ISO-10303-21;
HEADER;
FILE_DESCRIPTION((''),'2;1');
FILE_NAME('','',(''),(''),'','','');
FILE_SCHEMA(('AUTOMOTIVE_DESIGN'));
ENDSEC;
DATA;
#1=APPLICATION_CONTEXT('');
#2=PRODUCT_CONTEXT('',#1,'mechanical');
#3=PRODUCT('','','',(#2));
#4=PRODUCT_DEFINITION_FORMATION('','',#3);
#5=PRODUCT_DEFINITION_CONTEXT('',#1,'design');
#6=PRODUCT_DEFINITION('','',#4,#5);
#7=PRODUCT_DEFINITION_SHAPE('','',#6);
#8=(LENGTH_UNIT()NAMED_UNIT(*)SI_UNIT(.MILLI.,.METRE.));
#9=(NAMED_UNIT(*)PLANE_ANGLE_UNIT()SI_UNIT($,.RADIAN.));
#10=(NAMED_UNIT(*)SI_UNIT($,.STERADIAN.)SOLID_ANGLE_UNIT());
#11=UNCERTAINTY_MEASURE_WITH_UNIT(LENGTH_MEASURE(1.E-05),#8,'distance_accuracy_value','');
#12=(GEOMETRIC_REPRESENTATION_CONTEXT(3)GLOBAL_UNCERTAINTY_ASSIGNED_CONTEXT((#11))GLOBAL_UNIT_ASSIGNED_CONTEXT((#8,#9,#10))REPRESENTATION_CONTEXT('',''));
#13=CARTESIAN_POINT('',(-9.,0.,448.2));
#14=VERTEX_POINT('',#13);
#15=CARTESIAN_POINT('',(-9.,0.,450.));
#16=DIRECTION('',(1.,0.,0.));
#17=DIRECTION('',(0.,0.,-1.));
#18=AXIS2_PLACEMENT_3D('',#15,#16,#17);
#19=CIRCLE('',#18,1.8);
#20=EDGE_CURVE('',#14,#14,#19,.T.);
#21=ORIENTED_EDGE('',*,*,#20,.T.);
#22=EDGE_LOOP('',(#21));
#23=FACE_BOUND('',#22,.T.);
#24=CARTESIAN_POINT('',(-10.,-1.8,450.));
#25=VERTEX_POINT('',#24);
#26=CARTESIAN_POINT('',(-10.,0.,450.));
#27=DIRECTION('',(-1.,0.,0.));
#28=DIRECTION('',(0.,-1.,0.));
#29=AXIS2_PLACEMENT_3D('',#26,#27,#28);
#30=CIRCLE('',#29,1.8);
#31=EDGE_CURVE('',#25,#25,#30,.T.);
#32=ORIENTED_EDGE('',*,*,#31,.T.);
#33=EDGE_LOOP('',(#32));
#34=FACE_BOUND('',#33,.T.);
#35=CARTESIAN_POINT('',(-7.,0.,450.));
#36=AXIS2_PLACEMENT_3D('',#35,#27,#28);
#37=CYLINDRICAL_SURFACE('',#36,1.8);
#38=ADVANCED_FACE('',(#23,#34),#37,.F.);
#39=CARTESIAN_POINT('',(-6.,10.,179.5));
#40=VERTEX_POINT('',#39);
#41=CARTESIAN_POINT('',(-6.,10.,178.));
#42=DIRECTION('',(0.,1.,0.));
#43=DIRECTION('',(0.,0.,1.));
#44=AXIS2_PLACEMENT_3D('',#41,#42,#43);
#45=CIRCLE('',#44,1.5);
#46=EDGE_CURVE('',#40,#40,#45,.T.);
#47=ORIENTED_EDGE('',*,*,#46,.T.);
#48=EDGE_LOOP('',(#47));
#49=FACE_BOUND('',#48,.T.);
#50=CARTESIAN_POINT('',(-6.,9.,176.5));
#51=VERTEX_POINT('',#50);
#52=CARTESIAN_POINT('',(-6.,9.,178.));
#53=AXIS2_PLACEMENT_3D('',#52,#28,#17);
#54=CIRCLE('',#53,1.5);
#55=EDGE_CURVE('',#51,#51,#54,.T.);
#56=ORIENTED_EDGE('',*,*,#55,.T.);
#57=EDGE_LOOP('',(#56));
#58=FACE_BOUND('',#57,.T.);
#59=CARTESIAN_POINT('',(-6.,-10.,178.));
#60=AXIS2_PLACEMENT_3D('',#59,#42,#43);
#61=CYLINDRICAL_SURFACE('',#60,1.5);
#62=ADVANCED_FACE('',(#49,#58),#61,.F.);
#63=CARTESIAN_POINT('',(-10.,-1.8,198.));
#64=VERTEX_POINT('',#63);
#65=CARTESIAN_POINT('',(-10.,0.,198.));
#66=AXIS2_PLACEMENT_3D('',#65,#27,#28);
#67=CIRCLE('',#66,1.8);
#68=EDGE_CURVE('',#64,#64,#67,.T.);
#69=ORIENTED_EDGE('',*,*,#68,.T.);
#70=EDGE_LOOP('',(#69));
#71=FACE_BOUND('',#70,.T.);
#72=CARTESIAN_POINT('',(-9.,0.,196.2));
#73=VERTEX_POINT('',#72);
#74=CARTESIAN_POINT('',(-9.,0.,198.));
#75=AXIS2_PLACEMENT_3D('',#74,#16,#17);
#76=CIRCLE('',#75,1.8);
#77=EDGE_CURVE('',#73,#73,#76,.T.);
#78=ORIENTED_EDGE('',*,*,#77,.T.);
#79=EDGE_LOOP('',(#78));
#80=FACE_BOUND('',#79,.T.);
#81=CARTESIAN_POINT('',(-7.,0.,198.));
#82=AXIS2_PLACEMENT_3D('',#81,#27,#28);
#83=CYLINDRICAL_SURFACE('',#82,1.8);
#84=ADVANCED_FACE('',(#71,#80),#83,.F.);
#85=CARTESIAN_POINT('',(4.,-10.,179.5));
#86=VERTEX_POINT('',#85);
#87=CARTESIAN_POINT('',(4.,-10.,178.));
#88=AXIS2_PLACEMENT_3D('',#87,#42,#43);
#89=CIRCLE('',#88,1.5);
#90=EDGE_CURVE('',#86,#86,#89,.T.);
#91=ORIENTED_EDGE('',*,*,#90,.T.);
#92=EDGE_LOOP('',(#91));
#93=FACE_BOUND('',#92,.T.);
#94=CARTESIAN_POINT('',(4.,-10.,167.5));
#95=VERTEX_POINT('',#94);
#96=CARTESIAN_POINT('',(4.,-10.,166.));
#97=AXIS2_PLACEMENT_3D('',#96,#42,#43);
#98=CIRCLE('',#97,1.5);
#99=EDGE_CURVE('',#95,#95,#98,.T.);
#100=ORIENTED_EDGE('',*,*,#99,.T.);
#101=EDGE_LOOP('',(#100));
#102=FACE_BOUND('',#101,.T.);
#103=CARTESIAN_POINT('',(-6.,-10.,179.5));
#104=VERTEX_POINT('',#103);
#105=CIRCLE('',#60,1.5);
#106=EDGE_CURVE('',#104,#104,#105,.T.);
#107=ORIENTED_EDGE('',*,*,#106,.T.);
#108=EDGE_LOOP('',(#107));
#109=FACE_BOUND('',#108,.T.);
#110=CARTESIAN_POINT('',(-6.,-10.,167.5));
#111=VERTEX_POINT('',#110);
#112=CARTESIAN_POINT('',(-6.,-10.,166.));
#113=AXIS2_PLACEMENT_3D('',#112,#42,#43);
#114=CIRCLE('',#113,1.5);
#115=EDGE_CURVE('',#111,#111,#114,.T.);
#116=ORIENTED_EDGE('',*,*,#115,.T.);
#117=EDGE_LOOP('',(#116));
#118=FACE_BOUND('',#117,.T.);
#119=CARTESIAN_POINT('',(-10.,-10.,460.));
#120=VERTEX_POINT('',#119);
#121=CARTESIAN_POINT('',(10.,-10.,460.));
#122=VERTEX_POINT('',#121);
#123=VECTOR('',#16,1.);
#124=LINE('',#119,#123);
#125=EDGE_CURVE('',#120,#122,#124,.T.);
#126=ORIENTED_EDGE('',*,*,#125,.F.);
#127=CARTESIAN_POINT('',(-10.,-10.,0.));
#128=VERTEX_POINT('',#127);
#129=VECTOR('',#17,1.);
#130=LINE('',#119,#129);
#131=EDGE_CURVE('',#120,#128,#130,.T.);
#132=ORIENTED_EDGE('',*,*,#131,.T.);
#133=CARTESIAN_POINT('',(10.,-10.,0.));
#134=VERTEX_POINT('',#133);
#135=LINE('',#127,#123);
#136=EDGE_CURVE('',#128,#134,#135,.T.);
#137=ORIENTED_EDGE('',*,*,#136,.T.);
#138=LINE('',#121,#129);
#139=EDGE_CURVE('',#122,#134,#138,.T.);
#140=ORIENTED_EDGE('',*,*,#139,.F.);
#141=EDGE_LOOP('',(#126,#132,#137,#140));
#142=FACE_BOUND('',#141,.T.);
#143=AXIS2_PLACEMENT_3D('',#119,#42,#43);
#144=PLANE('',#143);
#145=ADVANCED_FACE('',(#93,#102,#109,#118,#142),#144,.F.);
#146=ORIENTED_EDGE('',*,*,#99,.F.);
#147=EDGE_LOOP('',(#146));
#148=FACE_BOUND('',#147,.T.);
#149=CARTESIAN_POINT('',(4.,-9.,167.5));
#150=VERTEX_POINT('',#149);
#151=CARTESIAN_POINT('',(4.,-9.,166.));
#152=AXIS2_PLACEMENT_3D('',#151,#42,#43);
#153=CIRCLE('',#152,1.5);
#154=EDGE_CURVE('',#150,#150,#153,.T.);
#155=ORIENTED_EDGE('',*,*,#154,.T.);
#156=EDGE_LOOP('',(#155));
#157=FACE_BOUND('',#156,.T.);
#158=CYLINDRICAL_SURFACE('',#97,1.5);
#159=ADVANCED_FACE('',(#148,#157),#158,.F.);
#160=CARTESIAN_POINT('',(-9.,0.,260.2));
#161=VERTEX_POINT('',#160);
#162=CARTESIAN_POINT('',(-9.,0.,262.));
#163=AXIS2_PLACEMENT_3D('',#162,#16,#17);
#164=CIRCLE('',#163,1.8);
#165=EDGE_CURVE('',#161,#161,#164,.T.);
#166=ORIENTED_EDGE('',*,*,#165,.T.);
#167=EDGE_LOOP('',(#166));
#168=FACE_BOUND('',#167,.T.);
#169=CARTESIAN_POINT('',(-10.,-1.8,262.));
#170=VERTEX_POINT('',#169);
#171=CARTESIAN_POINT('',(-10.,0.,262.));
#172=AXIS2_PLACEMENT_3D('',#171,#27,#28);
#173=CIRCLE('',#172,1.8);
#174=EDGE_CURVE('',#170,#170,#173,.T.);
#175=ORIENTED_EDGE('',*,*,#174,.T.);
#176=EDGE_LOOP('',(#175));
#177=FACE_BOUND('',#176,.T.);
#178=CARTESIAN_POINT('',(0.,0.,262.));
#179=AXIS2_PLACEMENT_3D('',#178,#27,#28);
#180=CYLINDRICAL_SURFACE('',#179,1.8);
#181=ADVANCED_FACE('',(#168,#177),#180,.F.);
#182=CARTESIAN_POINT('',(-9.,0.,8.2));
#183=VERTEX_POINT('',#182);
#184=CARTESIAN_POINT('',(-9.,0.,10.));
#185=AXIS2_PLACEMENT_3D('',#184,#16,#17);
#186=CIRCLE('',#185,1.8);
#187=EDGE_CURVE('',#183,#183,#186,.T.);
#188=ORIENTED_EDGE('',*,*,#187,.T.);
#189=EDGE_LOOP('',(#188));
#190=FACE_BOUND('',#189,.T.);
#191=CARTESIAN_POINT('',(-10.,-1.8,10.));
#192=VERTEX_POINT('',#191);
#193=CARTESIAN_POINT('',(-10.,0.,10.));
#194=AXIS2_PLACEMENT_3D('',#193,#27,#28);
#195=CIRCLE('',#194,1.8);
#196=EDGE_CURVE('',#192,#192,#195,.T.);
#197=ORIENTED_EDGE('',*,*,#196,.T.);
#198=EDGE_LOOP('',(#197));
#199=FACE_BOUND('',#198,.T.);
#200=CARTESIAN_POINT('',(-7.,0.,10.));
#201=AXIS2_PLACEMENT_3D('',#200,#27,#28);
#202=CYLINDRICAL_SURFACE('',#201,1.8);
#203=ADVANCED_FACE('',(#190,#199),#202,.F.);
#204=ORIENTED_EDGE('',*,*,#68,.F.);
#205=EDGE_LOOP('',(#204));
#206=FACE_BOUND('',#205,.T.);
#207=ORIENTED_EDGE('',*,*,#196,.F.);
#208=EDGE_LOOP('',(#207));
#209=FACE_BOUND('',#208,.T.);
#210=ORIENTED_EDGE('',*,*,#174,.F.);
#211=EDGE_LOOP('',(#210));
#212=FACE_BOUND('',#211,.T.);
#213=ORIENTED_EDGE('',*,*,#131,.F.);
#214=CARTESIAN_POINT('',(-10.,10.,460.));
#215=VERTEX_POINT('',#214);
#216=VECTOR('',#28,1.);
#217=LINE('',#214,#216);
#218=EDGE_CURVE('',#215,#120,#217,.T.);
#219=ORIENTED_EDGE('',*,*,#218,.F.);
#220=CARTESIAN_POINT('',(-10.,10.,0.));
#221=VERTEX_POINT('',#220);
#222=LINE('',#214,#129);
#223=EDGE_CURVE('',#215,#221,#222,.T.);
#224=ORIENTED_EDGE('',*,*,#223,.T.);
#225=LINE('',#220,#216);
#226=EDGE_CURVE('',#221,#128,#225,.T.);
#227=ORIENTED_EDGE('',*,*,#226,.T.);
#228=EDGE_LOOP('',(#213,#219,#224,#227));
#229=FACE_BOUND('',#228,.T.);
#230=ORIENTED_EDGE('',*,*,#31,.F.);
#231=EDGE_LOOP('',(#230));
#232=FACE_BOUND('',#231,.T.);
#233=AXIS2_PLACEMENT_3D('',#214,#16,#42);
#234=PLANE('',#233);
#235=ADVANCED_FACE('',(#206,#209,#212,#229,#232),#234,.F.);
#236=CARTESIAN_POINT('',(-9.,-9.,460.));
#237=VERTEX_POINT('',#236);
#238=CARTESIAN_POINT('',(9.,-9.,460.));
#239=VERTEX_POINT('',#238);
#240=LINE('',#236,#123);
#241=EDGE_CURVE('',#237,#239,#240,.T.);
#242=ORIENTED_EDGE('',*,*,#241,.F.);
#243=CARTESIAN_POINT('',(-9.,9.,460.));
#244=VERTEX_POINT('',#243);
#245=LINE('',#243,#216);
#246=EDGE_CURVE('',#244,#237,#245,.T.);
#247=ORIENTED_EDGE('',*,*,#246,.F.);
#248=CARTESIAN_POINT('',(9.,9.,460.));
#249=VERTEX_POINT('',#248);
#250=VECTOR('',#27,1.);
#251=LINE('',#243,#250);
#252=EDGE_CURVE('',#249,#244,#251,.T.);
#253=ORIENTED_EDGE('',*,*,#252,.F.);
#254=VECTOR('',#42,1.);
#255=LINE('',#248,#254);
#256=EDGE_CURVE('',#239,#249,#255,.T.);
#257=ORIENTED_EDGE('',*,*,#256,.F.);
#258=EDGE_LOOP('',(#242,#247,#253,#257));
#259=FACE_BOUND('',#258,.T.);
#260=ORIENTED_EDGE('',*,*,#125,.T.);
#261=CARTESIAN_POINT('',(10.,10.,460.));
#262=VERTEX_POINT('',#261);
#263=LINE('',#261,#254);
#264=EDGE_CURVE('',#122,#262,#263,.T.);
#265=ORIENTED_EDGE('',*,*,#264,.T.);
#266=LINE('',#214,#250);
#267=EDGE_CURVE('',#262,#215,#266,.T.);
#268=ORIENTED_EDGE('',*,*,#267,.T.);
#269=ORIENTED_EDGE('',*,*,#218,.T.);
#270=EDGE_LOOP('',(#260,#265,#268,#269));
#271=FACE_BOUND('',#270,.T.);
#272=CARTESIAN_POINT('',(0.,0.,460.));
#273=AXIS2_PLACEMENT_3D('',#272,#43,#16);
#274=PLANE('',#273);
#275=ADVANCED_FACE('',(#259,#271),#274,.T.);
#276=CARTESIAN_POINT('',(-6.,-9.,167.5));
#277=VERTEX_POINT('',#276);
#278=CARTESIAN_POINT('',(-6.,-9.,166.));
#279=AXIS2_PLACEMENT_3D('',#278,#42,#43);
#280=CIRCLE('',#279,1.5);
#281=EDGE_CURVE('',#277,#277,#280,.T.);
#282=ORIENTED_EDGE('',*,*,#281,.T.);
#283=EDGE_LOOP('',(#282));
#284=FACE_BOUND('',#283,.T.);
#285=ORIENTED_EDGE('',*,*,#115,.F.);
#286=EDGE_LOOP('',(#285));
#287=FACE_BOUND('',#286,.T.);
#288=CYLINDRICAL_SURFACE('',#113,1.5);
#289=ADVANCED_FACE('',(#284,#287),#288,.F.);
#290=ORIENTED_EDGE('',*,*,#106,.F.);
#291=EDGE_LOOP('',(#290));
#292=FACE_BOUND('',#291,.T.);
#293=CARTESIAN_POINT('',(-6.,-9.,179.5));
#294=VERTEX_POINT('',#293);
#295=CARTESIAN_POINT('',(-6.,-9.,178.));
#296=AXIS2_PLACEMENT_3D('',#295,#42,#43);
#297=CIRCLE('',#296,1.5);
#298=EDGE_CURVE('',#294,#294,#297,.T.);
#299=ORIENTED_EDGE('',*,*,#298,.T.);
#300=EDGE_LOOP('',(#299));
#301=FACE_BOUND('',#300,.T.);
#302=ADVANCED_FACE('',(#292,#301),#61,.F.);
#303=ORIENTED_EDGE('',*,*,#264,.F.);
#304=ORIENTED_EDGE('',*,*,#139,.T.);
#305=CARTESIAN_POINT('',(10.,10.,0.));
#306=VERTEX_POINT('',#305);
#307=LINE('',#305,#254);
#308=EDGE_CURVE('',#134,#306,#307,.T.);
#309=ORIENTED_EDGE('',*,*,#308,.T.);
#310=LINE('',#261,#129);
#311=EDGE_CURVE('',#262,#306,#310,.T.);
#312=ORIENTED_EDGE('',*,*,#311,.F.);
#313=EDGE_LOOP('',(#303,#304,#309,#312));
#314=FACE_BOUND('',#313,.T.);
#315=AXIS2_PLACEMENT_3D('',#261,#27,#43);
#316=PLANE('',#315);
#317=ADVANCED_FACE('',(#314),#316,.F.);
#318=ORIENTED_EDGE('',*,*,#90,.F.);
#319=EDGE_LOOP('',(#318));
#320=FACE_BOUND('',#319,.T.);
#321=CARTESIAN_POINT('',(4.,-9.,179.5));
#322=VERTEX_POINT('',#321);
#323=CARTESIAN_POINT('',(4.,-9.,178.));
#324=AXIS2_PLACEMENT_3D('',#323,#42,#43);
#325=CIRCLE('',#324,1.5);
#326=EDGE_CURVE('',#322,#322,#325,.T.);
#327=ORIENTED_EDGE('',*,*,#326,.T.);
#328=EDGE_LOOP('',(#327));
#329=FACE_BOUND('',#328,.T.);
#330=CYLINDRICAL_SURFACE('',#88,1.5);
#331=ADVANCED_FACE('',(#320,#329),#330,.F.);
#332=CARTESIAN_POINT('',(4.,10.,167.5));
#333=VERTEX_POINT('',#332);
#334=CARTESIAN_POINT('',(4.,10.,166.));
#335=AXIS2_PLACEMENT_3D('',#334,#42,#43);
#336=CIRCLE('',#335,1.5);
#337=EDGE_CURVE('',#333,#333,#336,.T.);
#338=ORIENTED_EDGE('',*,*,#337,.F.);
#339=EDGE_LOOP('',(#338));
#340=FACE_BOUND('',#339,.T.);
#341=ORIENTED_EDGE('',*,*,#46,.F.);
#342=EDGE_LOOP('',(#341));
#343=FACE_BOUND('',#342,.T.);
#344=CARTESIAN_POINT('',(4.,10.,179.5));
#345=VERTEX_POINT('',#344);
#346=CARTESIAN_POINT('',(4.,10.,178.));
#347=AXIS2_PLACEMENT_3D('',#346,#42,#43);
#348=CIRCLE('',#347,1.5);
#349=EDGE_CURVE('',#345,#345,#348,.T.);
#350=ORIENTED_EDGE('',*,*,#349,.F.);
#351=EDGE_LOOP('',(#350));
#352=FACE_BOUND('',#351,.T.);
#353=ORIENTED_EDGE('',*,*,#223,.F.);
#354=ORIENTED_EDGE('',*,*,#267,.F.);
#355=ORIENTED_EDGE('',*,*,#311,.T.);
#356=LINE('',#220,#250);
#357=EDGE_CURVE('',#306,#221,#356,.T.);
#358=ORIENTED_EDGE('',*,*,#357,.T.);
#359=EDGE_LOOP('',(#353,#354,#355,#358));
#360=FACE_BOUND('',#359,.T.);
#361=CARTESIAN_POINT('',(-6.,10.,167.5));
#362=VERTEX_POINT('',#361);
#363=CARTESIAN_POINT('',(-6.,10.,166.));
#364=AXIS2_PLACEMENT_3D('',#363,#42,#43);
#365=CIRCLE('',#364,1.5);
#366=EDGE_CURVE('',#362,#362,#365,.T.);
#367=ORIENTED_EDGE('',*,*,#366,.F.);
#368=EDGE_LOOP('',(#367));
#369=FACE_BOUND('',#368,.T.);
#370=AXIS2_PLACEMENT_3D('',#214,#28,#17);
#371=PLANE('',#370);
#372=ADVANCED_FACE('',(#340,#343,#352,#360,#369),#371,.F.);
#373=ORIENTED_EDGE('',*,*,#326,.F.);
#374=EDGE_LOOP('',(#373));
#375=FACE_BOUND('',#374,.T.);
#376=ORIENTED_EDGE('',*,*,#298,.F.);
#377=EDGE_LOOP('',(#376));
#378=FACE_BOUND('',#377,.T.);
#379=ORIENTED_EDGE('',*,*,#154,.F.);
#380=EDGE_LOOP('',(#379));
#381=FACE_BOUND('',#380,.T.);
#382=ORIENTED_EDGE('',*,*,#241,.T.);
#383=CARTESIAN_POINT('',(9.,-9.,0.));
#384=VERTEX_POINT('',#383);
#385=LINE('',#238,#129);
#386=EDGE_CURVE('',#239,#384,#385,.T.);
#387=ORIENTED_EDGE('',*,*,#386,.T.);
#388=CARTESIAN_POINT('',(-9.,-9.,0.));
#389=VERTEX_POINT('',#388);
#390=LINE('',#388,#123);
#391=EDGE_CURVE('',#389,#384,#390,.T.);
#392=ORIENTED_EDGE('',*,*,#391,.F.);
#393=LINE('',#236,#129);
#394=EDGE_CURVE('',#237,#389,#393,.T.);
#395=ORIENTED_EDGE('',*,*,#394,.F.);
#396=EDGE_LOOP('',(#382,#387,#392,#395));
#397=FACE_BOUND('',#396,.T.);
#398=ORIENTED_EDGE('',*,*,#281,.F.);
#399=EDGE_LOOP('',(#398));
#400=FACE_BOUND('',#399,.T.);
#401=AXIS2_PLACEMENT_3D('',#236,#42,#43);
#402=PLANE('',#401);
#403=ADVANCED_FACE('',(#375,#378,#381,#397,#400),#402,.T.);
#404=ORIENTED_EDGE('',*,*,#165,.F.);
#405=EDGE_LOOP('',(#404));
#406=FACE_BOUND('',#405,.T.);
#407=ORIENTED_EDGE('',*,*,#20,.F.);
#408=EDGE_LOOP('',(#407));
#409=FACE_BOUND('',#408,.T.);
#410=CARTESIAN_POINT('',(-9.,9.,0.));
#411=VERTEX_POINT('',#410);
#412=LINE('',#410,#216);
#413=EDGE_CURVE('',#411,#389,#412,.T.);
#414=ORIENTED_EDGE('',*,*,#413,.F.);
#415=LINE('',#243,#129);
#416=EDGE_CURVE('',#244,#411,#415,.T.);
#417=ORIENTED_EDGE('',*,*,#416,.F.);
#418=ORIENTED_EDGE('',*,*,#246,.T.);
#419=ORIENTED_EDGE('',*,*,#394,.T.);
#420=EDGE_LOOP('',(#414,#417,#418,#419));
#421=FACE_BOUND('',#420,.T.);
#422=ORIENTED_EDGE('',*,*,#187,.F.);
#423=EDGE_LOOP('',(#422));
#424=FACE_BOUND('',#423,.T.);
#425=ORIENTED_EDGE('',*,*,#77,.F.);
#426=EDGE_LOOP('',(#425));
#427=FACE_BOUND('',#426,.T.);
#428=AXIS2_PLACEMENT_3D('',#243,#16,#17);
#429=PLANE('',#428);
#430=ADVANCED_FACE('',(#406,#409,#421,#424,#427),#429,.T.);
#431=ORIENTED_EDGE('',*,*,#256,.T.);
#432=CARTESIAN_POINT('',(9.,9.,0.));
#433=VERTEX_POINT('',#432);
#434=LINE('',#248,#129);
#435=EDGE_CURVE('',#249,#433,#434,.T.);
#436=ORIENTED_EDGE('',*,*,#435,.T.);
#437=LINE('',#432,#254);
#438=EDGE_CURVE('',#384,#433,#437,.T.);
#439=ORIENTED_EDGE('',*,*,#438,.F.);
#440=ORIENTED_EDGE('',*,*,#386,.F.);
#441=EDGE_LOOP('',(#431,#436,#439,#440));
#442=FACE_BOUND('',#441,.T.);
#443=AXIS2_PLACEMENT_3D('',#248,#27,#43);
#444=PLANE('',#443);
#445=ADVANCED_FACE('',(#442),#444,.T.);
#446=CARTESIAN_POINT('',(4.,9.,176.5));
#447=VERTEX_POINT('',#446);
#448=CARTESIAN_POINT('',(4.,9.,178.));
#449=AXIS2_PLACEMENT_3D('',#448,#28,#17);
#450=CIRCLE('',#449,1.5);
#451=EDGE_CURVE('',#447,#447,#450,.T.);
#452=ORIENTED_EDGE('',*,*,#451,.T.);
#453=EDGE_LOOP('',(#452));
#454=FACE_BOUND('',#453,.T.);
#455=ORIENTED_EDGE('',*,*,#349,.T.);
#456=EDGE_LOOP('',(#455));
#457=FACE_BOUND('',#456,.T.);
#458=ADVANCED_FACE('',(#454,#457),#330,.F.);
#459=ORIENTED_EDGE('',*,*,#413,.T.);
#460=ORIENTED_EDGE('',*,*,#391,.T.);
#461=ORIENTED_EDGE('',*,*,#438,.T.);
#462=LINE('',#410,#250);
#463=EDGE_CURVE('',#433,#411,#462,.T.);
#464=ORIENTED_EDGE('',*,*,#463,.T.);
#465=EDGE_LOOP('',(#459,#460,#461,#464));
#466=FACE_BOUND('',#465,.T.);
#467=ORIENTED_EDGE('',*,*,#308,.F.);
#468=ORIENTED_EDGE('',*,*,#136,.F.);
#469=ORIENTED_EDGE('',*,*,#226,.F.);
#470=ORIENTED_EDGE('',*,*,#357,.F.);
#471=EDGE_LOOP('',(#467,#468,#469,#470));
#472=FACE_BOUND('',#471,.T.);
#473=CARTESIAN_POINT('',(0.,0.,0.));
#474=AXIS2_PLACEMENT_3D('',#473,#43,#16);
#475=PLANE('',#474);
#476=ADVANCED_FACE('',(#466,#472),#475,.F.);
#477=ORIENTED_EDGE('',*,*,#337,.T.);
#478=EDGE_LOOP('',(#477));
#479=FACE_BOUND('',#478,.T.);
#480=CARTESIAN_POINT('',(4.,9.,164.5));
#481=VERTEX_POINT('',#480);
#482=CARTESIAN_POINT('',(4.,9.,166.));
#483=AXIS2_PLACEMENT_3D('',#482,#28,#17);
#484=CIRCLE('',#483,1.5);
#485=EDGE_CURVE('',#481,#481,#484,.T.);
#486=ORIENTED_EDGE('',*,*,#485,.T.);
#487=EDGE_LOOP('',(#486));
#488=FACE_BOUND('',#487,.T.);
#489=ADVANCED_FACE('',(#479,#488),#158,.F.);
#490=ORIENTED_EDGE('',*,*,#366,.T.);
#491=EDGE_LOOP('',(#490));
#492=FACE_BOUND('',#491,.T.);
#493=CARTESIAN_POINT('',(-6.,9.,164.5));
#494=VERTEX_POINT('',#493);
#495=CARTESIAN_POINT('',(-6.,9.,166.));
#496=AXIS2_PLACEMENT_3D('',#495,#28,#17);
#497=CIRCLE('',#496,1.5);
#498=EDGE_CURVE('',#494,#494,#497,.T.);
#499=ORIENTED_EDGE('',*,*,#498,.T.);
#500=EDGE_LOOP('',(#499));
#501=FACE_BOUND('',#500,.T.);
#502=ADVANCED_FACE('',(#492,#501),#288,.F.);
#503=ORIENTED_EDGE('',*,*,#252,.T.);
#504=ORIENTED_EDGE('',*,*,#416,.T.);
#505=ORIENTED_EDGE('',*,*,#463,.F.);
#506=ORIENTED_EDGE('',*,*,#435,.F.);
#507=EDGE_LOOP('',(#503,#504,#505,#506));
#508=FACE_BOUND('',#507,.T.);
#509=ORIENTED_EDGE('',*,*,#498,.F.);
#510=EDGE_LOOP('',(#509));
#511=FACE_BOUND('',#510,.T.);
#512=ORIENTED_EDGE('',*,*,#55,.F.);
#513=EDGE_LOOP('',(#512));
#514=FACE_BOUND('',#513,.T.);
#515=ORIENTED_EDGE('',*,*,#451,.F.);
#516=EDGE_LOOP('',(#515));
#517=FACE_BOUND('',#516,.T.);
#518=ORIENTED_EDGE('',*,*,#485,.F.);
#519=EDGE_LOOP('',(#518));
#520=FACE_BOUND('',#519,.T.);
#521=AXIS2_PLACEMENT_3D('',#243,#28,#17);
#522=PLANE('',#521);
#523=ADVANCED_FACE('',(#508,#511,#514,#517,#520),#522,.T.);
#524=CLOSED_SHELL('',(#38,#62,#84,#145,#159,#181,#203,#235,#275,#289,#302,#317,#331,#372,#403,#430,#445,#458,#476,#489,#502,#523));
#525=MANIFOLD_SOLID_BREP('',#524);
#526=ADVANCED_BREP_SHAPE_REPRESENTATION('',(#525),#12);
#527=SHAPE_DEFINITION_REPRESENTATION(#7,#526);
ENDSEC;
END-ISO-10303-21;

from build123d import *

# Parameters (mm, degrees)
SKETCH_1_W          = 20
SKETCH_1_H          = 20
SKETCH_1_W_2        = 18
SKETCH_1_H_2        = 18
EXTRUDE_1_DEPTH     = 460
SKETCH_2_R          = 1.8
CUT_EXTRUDE_1_DEPTH = 3
SKETCH_3_R          = 1.8
CUT_EXTRUDE_2_DEPTH = 3
SKETCH_5_R          = 1.8
CUT_EXTRUDE_3_DEPTH = 3
SKETCH_6_R          = 1.8
CUT_EXTRUDE_4_DEPTH = 10
SKETCH_7_R          = 1.5
CUT_EXTRUDE_5_DEPTH = 20


with BuildPart() as part:
    # 草图1 → 凸台-拉伸1 (new body)
    with BuildSketch(Plane.XY):
        Rectangle(SKETCH_1_W, SKETCH_1_H)
        Rectangle(SKETCH_1_W_2, SKETCH_1_H_2, mode=Mode.SUBTRACT)
    extrude(amount=EXTRUDE_1_DEPTH)

    # 草图2 → 切除-拉伸1 (cut)
    with BuildSketch(Plane.ZY.offset(10)):
        with Locations((10, 0)):
            Circle(SKETCH_2_R)
    extrude(amount=-CUT_EXTRUDE_1_DEPTH, mode=Mode.SUBTRACT)

    # 草图3 → 切除-拉伸2 (cut)
    with BuildSketch(Plane.ZY.offset(10)):
        with Locations((198, 0)):
            Circle(SKETCH_3_R)
    extrude(amount=-CUT_EXTRUDE_2_DEPTH, mode=Mode.SUBTRACT)

    # 草图5 → 切除-拉伸3 (cut)
    with BuildSketch(Plane.ZY.offset(10)):
        with Locations((450, 0)):
            Circle(SKETCH_5_R)
    extrude(amount=-CUT_EXTRUDE_3_DEPTH, mode=Mode.SUBTRACT)

    # 草图6 → 切除-拉伸4 (cut)
    with BuildSketch(Plane.ZY.offset(10)):
        with Locations((262, 0)):
            Circle(SKETCH_6_R)
    extrude(amount=-CUT_EXTRUDE_4_DEPTH, mode=Mode.SUBTRACT)

    # 草图7 → 切除-拉伸5 (cut)
    with BuildSketch(Plane(origin=(0, 10, 0), x_dir=(1, 0, 0), z_dir=(0, 1, 0))):
        with Locations((4, -166)):
            Circle(SKETCH_7_R)
        with Locations((-6, -166)):
            Circle(SKETCH_7_R)
        with Locations((4, -178)):
            Circle(SKETCH_7_R)
        with Locations((-6, -178)):
            Circle(SKETCH_7_R)
    extrude(amount=-CUT_EXTRUDE_5_DEPTH, mode=Mode.SUBTRACT)


solid = part.part
